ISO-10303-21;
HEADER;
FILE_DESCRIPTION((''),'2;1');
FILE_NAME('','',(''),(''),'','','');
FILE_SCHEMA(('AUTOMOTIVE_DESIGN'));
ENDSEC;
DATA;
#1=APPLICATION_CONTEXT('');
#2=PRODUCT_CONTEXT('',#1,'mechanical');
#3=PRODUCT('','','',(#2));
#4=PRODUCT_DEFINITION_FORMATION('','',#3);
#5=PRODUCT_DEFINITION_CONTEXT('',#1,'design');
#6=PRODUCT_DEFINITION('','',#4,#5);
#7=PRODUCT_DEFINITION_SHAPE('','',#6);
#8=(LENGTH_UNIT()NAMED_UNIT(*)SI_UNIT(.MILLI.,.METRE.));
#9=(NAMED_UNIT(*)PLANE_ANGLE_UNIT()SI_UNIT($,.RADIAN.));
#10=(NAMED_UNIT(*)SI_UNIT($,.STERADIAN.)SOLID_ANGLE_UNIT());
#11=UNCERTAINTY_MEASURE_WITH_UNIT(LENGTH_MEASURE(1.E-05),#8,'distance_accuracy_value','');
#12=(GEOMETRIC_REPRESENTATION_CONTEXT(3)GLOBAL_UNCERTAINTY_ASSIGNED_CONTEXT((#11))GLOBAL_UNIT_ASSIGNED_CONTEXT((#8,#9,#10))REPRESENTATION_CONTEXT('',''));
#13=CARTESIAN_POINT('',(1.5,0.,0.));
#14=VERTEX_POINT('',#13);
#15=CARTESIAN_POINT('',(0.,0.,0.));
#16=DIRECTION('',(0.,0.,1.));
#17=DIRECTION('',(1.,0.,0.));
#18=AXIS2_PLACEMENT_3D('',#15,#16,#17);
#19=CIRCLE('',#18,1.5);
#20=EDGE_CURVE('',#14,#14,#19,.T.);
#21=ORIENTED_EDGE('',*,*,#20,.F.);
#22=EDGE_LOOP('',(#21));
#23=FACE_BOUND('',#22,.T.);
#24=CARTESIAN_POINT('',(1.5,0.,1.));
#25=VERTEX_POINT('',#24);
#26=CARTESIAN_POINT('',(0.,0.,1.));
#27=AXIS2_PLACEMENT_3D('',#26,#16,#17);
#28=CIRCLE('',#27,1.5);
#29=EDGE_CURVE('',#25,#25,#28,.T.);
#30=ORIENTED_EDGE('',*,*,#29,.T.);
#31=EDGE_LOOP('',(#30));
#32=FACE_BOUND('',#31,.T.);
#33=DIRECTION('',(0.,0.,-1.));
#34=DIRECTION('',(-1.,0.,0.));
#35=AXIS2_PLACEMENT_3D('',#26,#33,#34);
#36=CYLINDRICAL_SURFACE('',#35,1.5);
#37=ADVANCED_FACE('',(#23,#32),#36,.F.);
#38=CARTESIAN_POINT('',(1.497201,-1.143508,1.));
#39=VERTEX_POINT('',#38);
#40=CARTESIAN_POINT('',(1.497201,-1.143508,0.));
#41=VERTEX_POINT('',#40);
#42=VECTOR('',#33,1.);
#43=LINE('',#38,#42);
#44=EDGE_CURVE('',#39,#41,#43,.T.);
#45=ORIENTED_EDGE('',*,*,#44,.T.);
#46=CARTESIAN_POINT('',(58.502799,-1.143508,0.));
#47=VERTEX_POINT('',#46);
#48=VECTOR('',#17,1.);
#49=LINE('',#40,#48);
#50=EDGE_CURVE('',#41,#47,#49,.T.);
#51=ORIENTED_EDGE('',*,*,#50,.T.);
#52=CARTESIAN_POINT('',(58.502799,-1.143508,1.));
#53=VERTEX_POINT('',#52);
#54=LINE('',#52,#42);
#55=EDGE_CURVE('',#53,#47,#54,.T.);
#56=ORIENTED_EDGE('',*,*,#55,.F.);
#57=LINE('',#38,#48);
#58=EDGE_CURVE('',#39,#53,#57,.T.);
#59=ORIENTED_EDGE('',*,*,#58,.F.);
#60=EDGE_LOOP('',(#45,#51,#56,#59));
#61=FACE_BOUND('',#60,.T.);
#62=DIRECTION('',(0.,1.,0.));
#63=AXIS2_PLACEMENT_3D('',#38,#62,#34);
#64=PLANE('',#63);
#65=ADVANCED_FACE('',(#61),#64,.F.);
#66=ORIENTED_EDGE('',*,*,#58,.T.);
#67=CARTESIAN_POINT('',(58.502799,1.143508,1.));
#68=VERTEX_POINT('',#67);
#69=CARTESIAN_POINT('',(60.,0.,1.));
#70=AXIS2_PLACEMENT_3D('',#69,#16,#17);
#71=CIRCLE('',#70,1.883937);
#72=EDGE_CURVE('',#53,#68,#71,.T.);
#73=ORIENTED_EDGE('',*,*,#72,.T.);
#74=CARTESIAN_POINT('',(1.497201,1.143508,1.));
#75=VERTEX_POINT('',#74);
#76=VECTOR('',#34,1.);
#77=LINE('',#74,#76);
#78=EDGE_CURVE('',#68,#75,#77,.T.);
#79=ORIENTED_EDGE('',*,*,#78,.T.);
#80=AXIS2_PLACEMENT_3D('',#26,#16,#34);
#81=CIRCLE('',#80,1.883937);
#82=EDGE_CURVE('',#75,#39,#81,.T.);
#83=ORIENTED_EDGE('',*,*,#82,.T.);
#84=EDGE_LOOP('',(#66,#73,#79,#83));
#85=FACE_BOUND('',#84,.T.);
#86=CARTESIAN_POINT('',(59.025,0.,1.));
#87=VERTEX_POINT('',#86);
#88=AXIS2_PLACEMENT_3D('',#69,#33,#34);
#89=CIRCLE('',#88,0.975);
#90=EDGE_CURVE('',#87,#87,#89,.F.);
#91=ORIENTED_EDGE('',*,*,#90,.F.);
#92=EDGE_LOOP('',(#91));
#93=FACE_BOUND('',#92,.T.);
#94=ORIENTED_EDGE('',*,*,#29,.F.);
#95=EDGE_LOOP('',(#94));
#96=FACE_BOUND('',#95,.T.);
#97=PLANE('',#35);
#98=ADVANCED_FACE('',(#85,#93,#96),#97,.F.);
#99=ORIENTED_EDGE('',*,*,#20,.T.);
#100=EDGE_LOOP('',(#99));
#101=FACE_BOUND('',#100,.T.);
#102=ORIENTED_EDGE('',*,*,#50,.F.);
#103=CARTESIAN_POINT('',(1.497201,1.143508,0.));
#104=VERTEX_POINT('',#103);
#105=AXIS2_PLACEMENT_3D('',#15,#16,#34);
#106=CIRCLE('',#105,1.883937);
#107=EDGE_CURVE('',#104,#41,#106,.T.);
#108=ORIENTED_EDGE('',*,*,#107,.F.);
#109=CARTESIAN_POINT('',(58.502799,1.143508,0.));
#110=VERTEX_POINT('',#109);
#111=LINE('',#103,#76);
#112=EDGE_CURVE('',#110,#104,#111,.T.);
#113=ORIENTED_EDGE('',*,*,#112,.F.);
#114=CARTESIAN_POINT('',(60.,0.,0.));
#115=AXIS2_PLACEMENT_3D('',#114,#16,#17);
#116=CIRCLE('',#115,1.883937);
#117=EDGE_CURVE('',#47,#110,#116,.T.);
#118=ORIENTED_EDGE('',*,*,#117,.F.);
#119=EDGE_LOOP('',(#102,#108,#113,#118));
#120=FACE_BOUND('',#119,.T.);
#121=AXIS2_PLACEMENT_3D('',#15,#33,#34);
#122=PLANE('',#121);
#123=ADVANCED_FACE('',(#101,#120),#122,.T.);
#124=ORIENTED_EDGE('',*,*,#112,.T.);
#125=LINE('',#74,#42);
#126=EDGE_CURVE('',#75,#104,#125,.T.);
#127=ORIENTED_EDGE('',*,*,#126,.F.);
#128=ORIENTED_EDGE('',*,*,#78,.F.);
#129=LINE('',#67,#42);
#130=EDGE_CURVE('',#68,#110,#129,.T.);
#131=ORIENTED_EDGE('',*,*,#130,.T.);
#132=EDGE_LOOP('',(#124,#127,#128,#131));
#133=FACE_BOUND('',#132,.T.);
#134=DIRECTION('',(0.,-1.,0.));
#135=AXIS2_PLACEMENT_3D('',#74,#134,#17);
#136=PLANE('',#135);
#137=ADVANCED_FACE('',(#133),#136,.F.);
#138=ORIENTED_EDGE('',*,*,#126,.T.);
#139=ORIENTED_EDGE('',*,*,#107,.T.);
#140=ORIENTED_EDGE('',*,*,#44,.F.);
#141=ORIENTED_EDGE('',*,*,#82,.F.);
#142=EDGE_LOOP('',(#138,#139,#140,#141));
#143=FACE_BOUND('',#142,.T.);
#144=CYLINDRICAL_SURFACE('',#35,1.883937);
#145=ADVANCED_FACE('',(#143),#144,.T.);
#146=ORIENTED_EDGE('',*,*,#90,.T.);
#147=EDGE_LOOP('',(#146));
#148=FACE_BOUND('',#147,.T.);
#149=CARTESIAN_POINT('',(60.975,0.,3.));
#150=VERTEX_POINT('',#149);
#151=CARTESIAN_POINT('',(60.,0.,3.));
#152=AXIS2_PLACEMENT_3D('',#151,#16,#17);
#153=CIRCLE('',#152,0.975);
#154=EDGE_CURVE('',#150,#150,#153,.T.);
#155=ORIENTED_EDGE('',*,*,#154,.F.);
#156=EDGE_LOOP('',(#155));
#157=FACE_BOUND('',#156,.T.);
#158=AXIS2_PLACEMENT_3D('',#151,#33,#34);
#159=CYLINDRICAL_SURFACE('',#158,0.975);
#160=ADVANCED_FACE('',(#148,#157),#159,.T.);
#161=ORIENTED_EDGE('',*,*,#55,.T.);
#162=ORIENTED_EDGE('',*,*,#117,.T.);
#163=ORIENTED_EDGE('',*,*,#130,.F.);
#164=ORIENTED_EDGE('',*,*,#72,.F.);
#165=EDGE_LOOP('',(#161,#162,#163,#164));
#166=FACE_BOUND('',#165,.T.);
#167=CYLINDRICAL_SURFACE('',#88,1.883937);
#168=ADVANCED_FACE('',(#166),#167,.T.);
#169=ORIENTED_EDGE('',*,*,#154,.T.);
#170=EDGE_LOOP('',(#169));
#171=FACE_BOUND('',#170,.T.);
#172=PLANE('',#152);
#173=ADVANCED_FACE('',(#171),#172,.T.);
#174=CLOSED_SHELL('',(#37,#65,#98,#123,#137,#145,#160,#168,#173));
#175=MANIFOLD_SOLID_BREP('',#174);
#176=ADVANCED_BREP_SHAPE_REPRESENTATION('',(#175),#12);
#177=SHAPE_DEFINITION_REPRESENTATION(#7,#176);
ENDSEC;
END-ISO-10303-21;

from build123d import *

# Parameters (mm, degrees)
SKETCH1_R           = 1.5
BOSS_EXTRUDE1_DEPTH = 1
SKETCH38_R          = 0.975
BOSS_EXTRUDE2_DEPTH = 2


with BuildPart() as part:
    # Sketch1 → Boss-Extrude1 (new body)
    with BuildSketch(Plane.XY):
        with BuildLine():
            Line((1.497200651, 1.14350772), (58.502799349, 1.14350772))
            ThreePointArc((58.502799349, 1.14350772), (59.164858436, 1.688714974), (60, 1.883937285))
            ThreePointArc((60, 1.883937285), (61.883937285, 0), (60, -1.883937285))
            ThreePointArc((60, -1.883937285), (59.164858436, -1.688714974), (58.502799349, -1.14350772))
            Line((58.502799349, -1.14350772), (1.497200651, -1.14350772))
            ThreePointArc((1.497200651, -1.14350772), (0.835141564, -1.688714974), (0, -1.883937285))
            ThreePointArc((0, -1.883937285), (-1.883937285, 0), (0, 1.883937285))
            ThreePointArc((0, 1.883937285), (0.835141564, 1.688714974), (1.497200651, 1.14350772))
        make_face()
        Circle(SKETCH1_R, mode=Mode.SUBTRACT)
    extrude(amount=BOSS_EXTRUDE1_DEPTH)

    # Sketch38 → Boss-Extrude2 (add)
    with BuildSketch(Plane.XY.offset(1)):
        with Locations(Location((60, 0, 0), (0, 0, 180))):
            Circle(SKETCH38_R)
    extrude(amount=BOSS_EXTRUDE2_DEPTH)


solid = part.part
